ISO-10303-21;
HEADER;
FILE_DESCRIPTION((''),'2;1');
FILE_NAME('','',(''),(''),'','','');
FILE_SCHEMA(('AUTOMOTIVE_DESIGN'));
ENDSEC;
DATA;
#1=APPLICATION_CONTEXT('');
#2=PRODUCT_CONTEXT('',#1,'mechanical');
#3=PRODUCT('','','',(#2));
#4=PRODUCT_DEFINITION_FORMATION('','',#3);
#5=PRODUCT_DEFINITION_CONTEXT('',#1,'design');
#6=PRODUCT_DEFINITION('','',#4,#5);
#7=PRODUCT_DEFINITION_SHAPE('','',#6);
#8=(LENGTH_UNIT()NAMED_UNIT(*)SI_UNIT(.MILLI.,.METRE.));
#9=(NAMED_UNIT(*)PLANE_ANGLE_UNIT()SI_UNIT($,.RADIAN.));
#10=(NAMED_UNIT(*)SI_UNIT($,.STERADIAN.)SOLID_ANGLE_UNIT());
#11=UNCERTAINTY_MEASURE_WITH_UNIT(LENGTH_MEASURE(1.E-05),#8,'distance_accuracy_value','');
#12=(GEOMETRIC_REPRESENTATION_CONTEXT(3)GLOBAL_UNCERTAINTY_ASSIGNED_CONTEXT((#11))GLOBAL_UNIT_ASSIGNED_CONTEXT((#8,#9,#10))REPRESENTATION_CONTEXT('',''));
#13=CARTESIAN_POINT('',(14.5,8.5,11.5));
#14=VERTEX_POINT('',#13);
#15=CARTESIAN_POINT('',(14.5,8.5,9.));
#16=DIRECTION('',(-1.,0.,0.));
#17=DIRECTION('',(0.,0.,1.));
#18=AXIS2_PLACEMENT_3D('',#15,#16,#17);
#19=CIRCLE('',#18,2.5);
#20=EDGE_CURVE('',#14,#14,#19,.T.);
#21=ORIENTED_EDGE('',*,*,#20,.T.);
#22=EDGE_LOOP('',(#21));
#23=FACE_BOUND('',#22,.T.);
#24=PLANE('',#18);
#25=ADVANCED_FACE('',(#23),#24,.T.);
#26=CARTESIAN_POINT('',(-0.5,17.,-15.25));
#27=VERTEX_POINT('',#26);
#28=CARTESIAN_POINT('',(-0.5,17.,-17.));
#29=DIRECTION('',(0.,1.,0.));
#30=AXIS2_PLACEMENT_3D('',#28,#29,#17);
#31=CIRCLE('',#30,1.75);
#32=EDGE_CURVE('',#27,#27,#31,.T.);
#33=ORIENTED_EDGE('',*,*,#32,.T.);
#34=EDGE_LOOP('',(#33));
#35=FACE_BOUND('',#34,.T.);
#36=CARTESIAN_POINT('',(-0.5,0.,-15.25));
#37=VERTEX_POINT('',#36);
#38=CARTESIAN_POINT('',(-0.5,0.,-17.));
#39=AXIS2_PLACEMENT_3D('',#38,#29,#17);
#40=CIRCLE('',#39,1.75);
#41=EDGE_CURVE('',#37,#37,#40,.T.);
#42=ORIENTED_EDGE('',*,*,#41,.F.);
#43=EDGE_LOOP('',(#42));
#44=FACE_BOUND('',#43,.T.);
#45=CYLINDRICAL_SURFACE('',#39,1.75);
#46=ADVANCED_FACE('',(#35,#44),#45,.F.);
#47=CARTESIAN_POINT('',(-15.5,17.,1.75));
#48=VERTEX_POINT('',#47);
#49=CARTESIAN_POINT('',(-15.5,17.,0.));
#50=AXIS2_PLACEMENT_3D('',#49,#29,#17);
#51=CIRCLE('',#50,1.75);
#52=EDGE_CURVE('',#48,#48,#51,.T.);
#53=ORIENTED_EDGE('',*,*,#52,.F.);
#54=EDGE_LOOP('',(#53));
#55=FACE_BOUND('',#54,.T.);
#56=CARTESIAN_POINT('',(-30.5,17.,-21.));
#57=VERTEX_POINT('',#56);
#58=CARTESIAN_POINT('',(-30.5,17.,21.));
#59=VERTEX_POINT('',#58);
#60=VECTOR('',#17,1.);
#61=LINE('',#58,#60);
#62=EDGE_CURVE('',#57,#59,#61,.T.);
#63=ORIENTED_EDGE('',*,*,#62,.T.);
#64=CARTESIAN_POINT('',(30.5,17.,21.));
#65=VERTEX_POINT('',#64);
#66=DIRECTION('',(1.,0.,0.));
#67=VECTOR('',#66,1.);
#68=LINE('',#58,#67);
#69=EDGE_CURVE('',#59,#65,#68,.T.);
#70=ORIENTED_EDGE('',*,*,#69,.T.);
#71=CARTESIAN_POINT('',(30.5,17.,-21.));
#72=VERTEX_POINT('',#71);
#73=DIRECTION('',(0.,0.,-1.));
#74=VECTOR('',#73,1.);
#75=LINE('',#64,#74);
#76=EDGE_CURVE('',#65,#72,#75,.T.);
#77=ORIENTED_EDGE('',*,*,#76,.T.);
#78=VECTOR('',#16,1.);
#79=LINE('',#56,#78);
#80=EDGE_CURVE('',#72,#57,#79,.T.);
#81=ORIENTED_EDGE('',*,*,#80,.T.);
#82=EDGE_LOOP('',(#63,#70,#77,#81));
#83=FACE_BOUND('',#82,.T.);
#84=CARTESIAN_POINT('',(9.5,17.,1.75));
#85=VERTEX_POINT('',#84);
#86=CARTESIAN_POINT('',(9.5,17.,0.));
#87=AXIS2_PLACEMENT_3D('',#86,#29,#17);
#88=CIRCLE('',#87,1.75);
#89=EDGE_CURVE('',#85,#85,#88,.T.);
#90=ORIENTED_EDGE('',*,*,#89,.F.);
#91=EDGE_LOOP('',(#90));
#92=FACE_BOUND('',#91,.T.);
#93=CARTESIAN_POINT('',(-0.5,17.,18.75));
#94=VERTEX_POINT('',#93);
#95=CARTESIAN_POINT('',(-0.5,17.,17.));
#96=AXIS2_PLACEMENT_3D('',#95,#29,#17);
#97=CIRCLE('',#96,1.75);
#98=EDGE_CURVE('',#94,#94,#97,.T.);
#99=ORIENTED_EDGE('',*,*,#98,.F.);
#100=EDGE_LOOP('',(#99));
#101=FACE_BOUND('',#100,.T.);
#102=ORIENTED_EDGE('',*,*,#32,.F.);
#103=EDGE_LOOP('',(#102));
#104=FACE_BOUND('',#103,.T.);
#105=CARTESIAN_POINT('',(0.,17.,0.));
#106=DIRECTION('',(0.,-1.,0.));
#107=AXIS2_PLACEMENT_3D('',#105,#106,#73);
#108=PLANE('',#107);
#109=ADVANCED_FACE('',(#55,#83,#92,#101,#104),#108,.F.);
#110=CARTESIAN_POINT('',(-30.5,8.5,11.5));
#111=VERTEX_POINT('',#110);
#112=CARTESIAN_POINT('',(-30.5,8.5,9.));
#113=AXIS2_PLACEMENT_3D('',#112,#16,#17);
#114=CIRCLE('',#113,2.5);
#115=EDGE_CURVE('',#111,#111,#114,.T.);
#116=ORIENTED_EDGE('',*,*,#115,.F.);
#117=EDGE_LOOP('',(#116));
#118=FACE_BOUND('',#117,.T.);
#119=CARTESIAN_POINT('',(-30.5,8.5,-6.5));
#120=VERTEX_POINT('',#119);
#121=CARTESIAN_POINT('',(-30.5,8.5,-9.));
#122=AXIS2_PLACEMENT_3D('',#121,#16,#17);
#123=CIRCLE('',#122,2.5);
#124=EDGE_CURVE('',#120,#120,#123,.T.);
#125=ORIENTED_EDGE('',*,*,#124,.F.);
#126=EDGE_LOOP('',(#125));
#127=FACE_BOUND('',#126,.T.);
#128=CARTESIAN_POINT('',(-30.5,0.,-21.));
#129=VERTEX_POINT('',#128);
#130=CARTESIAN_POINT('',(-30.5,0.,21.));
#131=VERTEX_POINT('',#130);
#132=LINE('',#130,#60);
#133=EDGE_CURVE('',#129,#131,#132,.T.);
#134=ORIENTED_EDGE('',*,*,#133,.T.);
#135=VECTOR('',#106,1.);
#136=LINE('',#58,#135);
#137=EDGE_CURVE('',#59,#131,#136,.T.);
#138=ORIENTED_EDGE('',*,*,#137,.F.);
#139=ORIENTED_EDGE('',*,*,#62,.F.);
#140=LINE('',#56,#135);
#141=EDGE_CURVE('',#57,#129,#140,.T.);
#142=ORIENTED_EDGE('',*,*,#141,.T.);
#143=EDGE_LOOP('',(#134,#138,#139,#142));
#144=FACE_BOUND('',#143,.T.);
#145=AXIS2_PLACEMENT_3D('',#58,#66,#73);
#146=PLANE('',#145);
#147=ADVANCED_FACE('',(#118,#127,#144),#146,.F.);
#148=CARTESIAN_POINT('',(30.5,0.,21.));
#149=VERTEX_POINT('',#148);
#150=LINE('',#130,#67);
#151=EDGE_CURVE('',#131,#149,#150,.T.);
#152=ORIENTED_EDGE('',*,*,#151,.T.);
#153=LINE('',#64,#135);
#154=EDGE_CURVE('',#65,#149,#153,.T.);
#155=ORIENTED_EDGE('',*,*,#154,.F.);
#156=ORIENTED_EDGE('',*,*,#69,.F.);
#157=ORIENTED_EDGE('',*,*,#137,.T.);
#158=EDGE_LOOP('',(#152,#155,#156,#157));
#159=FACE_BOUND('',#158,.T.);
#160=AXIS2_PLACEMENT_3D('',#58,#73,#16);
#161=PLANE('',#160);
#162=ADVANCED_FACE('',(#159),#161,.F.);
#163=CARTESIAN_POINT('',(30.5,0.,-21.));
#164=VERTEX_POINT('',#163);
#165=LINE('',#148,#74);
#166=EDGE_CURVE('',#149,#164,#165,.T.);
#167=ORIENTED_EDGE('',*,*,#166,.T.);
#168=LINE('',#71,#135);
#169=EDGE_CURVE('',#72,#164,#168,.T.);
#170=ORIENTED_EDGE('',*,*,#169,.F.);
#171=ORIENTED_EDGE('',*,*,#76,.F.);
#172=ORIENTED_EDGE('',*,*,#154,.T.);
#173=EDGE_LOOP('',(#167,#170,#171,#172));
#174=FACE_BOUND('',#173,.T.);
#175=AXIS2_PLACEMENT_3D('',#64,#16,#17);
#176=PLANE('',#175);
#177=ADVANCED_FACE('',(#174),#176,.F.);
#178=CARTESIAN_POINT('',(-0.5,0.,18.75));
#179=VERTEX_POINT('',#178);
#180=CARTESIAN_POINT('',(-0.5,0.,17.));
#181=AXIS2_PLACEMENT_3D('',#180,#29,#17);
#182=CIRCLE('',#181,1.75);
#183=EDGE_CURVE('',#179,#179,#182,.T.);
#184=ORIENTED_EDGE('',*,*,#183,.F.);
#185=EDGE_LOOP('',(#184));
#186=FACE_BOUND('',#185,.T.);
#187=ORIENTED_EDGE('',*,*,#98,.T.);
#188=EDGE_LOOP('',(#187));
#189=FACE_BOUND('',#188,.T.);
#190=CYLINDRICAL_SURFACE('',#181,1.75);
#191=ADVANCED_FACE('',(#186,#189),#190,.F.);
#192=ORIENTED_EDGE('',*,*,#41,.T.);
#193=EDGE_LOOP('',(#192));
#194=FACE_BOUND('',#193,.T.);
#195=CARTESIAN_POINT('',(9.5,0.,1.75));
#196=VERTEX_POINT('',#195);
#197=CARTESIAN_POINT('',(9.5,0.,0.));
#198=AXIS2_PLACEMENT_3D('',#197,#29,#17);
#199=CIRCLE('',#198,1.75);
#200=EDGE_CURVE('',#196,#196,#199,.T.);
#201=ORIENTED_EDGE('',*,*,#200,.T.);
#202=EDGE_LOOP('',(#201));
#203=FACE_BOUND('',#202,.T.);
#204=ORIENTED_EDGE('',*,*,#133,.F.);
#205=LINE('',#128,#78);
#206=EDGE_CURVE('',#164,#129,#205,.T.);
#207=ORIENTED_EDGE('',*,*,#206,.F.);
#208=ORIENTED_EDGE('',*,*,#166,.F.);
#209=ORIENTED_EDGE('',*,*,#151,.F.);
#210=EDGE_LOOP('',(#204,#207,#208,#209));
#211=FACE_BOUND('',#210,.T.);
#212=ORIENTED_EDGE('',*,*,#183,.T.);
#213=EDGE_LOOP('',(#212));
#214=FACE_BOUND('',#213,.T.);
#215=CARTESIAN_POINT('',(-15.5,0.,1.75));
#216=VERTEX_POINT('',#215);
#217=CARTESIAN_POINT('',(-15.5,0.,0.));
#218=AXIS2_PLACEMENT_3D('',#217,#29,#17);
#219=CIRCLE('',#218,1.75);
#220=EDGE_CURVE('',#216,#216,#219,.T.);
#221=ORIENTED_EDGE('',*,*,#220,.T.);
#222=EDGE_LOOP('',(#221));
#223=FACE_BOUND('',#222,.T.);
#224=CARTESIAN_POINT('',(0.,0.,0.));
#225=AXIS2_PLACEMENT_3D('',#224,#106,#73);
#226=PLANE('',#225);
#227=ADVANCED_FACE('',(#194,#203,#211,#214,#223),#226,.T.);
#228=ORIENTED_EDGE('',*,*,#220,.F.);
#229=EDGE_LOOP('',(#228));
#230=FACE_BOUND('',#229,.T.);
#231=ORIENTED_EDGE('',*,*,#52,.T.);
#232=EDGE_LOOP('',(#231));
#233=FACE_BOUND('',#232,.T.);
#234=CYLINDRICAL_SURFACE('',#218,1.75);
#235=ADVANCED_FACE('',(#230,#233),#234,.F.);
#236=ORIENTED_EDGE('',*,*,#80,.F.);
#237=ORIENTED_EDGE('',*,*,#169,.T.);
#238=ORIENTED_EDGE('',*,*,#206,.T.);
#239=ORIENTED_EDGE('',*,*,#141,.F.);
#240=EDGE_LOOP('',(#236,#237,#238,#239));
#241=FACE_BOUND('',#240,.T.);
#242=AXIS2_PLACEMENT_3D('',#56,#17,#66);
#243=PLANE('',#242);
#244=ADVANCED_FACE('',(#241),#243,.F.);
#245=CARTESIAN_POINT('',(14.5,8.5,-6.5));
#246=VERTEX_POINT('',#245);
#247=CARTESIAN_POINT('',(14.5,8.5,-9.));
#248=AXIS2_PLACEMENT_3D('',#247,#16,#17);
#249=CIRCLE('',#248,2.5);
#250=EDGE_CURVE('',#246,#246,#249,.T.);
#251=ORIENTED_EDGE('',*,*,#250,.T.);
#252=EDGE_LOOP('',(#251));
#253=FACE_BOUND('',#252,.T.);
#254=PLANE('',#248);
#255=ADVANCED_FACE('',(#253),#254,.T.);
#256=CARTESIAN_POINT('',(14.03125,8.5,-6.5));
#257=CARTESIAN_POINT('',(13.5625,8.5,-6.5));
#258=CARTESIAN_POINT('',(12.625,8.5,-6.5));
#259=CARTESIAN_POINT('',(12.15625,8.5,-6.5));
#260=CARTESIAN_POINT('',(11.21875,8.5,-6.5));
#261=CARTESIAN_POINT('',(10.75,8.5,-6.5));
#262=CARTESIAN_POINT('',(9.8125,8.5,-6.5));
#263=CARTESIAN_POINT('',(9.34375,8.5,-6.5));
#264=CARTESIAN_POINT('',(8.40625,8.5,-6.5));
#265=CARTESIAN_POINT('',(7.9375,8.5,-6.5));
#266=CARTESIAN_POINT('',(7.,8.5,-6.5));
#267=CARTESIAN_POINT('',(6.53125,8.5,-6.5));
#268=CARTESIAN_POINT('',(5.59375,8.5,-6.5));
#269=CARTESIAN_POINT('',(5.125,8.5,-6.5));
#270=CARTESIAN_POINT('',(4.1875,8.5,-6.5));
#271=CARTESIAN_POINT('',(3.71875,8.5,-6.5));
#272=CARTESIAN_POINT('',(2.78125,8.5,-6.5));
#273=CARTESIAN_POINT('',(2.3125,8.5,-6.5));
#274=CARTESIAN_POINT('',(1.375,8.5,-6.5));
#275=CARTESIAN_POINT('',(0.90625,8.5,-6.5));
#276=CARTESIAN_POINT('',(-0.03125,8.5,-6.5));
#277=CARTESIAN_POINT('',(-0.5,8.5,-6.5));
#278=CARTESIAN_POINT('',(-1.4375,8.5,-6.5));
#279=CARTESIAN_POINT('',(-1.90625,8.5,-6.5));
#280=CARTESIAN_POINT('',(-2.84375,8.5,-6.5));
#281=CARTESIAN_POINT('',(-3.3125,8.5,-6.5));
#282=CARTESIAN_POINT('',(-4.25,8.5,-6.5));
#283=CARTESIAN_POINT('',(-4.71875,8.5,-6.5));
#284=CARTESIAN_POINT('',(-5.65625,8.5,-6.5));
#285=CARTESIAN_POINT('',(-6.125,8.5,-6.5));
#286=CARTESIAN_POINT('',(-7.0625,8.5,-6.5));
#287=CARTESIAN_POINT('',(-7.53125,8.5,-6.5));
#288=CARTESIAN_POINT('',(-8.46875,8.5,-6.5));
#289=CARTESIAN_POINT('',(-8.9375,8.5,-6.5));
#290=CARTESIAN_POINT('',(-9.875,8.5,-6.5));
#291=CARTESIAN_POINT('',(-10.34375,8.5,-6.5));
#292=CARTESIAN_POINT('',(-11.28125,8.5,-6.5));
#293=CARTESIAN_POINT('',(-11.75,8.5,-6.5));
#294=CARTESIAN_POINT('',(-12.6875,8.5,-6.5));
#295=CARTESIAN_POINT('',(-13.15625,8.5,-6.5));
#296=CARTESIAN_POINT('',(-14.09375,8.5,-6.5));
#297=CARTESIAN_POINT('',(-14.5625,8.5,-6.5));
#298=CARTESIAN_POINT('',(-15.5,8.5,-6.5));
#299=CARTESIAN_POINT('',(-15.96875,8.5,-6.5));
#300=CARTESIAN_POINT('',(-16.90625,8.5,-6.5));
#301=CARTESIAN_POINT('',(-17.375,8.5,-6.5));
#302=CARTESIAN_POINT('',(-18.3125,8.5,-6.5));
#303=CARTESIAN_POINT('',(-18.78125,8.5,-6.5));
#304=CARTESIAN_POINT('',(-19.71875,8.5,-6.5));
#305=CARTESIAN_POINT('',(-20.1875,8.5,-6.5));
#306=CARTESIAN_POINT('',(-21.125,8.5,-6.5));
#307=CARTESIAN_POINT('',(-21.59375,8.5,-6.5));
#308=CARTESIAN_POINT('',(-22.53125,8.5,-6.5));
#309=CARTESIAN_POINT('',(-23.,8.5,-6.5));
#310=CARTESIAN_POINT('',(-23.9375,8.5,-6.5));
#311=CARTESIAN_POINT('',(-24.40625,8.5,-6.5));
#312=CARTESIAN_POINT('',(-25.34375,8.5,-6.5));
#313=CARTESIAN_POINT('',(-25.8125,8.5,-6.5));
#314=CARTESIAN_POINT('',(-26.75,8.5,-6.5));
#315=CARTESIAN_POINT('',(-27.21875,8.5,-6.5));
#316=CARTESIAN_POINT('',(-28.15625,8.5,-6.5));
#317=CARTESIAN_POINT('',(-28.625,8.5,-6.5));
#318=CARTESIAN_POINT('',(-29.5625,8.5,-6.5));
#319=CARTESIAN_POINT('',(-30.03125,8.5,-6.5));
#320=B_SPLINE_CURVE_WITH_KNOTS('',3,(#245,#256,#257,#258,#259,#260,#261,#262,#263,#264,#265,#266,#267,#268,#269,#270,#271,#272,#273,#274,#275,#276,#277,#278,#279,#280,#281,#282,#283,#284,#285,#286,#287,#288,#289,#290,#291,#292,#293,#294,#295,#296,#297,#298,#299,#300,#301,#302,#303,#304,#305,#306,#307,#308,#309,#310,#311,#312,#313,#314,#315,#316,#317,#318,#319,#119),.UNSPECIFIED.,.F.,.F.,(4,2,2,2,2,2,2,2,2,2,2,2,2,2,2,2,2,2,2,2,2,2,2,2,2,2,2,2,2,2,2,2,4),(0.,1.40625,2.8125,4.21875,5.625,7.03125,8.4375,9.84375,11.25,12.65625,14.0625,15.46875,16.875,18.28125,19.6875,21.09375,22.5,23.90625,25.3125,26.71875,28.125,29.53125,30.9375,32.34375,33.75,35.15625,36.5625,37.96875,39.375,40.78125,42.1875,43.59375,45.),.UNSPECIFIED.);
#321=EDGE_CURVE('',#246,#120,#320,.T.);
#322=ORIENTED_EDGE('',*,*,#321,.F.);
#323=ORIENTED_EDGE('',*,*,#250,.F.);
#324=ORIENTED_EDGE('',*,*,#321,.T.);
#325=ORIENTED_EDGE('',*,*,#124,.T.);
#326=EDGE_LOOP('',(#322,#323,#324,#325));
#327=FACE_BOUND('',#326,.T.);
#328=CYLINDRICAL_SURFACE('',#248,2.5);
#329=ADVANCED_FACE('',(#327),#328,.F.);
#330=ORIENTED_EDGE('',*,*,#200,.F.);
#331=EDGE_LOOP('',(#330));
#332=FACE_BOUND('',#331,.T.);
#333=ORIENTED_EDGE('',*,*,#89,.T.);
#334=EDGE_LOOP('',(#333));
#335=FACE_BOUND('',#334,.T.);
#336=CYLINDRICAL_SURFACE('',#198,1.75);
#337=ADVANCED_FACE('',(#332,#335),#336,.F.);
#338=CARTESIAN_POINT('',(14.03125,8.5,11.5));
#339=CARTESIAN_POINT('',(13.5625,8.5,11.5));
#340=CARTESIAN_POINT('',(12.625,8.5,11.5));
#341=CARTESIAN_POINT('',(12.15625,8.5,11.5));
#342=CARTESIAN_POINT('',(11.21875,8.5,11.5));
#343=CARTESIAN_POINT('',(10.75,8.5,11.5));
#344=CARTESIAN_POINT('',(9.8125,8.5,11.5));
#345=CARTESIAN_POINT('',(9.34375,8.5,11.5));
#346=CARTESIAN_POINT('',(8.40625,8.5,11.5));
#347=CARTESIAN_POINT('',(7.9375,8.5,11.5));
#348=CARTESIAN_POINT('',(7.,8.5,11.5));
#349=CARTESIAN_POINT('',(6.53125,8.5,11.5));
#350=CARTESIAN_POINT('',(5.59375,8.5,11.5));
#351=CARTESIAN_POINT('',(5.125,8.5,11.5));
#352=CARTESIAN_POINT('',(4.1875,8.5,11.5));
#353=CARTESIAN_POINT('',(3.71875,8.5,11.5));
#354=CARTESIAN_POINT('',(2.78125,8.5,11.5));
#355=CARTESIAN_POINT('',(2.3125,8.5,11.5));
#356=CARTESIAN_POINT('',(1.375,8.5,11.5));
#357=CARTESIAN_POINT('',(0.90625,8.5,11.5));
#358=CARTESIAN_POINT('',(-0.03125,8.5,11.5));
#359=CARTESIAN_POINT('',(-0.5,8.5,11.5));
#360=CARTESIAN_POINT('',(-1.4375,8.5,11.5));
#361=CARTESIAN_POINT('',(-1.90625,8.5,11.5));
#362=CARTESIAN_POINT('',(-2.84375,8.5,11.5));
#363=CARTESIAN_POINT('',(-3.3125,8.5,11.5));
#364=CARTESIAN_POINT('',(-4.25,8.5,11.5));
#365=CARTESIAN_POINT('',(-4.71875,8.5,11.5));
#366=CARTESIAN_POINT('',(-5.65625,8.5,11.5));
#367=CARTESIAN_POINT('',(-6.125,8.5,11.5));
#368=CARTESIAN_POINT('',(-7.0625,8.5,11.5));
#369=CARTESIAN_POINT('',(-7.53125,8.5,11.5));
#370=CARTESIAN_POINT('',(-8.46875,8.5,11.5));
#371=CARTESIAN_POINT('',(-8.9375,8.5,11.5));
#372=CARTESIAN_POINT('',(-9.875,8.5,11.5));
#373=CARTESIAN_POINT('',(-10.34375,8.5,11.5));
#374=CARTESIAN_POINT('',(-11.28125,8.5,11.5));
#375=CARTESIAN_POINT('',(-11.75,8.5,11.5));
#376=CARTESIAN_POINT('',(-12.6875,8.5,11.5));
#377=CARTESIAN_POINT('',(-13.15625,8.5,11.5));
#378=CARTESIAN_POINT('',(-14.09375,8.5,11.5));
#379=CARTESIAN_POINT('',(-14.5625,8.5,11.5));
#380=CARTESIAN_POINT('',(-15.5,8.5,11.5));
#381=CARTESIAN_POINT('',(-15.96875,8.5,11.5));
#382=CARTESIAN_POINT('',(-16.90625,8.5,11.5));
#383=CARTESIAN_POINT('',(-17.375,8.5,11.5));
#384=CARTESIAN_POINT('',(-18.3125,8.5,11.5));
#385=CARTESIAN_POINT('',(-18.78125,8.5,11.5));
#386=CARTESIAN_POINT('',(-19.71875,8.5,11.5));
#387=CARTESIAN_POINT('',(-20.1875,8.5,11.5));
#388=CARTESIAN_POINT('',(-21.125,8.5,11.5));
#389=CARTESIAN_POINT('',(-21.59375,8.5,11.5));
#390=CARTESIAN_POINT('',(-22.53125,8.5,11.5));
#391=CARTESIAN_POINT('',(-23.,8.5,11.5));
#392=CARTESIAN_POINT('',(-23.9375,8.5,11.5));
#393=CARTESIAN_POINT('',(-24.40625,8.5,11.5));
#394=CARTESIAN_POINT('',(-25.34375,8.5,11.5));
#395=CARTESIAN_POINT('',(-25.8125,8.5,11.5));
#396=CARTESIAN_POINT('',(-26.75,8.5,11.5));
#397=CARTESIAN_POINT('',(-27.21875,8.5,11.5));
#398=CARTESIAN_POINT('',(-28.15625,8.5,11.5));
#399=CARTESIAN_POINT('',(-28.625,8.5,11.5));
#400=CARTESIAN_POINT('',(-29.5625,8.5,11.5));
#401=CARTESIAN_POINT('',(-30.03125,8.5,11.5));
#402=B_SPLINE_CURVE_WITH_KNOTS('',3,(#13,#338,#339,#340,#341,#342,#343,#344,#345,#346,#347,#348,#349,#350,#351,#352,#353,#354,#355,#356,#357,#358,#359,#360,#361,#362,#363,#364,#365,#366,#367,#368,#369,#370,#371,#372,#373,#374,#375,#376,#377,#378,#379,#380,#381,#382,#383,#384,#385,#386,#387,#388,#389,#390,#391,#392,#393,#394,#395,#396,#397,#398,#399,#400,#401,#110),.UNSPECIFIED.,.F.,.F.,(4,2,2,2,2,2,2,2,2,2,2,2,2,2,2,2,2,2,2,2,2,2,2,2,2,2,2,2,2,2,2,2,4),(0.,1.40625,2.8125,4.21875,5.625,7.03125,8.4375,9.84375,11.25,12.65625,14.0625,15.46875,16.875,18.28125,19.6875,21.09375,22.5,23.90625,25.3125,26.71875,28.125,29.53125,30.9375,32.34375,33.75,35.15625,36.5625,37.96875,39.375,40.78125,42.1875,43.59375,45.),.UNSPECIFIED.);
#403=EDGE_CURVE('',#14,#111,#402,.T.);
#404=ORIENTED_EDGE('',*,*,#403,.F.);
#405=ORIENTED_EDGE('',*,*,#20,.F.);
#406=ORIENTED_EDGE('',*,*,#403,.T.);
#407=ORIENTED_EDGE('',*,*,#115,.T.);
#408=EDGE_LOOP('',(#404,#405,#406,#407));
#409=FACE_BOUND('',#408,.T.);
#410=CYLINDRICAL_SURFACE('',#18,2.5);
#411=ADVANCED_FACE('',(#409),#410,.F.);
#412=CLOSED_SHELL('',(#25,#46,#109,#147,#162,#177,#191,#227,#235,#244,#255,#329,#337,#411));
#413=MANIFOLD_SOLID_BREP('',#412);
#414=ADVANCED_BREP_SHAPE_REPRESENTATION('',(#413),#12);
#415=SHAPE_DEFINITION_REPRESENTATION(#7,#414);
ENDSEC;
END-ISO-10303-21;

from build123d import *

# Parameters (mm, degrees)
SKETCH_1_W          = 61
SKETCH_1_H          = 42
EXTRUDE_1_DEPTH     = 17
SKETCH_2_R          = 1.75
CUT_EXTRUDE_1_DEPTH = 17
SKETCH_3_R          = 2.5
CUT_EXTRUDE_2_DEPTH = 45


with BuildPart() as part:
    # 草图1 → 凸台-拉伸1 (new body)
    with BuildSketch(Plane(origin=(0, 0, 0), x_dir=(1, 0, 0), z_dir=(0, 1, 0))):
        Rectangle(SKETCH_1_W, SKETCH_1_H)
    extrude(amount=EXTRUDE_1_DEPTH)

    # 草图2 → 切除-拉伸1 (cut)
    with BuildSketch(Plane(origin=(0, 17, 0), x_dir=(1, 0, 0), z_dir=(0, 1, 0))):
        with Locations(Location((-0.5, 17, 0), (0, 0, 270))):
            Circle(SKETCH_2_R)
        with Locations(Location((-0.5, -17, 0), (0, 0, 270))):
            Circle(SKETCH_2_R)
        with Locations(Location((-15.5, 0, 0), (0, 0, 270))):
            Circle(SKETCH_2_R)
        with Locations(Location((9.5, 0, 0), (0, 0, 270))):
            Circle(SKETCH_2_R)
    extrude(amount=-CUT_EXTRUDE_1_DEPTH, mode=Mode.SUBTRACT)

    # 草图3 → 切除-拉伸2 (cut)
    with BuildSketch(Plane.ZY.offset(30.5)):
        with Locations((-9, 8.5)):
            Circle(SKETCH_3_R)
        with Locations((9, 8.5)):
            Circle(SKETCH_3_R)
    extrude(amount=-CUT_EXTRUDE_2_DEPTH, mode=Mode.SUBTRACT)


solid = part.part
